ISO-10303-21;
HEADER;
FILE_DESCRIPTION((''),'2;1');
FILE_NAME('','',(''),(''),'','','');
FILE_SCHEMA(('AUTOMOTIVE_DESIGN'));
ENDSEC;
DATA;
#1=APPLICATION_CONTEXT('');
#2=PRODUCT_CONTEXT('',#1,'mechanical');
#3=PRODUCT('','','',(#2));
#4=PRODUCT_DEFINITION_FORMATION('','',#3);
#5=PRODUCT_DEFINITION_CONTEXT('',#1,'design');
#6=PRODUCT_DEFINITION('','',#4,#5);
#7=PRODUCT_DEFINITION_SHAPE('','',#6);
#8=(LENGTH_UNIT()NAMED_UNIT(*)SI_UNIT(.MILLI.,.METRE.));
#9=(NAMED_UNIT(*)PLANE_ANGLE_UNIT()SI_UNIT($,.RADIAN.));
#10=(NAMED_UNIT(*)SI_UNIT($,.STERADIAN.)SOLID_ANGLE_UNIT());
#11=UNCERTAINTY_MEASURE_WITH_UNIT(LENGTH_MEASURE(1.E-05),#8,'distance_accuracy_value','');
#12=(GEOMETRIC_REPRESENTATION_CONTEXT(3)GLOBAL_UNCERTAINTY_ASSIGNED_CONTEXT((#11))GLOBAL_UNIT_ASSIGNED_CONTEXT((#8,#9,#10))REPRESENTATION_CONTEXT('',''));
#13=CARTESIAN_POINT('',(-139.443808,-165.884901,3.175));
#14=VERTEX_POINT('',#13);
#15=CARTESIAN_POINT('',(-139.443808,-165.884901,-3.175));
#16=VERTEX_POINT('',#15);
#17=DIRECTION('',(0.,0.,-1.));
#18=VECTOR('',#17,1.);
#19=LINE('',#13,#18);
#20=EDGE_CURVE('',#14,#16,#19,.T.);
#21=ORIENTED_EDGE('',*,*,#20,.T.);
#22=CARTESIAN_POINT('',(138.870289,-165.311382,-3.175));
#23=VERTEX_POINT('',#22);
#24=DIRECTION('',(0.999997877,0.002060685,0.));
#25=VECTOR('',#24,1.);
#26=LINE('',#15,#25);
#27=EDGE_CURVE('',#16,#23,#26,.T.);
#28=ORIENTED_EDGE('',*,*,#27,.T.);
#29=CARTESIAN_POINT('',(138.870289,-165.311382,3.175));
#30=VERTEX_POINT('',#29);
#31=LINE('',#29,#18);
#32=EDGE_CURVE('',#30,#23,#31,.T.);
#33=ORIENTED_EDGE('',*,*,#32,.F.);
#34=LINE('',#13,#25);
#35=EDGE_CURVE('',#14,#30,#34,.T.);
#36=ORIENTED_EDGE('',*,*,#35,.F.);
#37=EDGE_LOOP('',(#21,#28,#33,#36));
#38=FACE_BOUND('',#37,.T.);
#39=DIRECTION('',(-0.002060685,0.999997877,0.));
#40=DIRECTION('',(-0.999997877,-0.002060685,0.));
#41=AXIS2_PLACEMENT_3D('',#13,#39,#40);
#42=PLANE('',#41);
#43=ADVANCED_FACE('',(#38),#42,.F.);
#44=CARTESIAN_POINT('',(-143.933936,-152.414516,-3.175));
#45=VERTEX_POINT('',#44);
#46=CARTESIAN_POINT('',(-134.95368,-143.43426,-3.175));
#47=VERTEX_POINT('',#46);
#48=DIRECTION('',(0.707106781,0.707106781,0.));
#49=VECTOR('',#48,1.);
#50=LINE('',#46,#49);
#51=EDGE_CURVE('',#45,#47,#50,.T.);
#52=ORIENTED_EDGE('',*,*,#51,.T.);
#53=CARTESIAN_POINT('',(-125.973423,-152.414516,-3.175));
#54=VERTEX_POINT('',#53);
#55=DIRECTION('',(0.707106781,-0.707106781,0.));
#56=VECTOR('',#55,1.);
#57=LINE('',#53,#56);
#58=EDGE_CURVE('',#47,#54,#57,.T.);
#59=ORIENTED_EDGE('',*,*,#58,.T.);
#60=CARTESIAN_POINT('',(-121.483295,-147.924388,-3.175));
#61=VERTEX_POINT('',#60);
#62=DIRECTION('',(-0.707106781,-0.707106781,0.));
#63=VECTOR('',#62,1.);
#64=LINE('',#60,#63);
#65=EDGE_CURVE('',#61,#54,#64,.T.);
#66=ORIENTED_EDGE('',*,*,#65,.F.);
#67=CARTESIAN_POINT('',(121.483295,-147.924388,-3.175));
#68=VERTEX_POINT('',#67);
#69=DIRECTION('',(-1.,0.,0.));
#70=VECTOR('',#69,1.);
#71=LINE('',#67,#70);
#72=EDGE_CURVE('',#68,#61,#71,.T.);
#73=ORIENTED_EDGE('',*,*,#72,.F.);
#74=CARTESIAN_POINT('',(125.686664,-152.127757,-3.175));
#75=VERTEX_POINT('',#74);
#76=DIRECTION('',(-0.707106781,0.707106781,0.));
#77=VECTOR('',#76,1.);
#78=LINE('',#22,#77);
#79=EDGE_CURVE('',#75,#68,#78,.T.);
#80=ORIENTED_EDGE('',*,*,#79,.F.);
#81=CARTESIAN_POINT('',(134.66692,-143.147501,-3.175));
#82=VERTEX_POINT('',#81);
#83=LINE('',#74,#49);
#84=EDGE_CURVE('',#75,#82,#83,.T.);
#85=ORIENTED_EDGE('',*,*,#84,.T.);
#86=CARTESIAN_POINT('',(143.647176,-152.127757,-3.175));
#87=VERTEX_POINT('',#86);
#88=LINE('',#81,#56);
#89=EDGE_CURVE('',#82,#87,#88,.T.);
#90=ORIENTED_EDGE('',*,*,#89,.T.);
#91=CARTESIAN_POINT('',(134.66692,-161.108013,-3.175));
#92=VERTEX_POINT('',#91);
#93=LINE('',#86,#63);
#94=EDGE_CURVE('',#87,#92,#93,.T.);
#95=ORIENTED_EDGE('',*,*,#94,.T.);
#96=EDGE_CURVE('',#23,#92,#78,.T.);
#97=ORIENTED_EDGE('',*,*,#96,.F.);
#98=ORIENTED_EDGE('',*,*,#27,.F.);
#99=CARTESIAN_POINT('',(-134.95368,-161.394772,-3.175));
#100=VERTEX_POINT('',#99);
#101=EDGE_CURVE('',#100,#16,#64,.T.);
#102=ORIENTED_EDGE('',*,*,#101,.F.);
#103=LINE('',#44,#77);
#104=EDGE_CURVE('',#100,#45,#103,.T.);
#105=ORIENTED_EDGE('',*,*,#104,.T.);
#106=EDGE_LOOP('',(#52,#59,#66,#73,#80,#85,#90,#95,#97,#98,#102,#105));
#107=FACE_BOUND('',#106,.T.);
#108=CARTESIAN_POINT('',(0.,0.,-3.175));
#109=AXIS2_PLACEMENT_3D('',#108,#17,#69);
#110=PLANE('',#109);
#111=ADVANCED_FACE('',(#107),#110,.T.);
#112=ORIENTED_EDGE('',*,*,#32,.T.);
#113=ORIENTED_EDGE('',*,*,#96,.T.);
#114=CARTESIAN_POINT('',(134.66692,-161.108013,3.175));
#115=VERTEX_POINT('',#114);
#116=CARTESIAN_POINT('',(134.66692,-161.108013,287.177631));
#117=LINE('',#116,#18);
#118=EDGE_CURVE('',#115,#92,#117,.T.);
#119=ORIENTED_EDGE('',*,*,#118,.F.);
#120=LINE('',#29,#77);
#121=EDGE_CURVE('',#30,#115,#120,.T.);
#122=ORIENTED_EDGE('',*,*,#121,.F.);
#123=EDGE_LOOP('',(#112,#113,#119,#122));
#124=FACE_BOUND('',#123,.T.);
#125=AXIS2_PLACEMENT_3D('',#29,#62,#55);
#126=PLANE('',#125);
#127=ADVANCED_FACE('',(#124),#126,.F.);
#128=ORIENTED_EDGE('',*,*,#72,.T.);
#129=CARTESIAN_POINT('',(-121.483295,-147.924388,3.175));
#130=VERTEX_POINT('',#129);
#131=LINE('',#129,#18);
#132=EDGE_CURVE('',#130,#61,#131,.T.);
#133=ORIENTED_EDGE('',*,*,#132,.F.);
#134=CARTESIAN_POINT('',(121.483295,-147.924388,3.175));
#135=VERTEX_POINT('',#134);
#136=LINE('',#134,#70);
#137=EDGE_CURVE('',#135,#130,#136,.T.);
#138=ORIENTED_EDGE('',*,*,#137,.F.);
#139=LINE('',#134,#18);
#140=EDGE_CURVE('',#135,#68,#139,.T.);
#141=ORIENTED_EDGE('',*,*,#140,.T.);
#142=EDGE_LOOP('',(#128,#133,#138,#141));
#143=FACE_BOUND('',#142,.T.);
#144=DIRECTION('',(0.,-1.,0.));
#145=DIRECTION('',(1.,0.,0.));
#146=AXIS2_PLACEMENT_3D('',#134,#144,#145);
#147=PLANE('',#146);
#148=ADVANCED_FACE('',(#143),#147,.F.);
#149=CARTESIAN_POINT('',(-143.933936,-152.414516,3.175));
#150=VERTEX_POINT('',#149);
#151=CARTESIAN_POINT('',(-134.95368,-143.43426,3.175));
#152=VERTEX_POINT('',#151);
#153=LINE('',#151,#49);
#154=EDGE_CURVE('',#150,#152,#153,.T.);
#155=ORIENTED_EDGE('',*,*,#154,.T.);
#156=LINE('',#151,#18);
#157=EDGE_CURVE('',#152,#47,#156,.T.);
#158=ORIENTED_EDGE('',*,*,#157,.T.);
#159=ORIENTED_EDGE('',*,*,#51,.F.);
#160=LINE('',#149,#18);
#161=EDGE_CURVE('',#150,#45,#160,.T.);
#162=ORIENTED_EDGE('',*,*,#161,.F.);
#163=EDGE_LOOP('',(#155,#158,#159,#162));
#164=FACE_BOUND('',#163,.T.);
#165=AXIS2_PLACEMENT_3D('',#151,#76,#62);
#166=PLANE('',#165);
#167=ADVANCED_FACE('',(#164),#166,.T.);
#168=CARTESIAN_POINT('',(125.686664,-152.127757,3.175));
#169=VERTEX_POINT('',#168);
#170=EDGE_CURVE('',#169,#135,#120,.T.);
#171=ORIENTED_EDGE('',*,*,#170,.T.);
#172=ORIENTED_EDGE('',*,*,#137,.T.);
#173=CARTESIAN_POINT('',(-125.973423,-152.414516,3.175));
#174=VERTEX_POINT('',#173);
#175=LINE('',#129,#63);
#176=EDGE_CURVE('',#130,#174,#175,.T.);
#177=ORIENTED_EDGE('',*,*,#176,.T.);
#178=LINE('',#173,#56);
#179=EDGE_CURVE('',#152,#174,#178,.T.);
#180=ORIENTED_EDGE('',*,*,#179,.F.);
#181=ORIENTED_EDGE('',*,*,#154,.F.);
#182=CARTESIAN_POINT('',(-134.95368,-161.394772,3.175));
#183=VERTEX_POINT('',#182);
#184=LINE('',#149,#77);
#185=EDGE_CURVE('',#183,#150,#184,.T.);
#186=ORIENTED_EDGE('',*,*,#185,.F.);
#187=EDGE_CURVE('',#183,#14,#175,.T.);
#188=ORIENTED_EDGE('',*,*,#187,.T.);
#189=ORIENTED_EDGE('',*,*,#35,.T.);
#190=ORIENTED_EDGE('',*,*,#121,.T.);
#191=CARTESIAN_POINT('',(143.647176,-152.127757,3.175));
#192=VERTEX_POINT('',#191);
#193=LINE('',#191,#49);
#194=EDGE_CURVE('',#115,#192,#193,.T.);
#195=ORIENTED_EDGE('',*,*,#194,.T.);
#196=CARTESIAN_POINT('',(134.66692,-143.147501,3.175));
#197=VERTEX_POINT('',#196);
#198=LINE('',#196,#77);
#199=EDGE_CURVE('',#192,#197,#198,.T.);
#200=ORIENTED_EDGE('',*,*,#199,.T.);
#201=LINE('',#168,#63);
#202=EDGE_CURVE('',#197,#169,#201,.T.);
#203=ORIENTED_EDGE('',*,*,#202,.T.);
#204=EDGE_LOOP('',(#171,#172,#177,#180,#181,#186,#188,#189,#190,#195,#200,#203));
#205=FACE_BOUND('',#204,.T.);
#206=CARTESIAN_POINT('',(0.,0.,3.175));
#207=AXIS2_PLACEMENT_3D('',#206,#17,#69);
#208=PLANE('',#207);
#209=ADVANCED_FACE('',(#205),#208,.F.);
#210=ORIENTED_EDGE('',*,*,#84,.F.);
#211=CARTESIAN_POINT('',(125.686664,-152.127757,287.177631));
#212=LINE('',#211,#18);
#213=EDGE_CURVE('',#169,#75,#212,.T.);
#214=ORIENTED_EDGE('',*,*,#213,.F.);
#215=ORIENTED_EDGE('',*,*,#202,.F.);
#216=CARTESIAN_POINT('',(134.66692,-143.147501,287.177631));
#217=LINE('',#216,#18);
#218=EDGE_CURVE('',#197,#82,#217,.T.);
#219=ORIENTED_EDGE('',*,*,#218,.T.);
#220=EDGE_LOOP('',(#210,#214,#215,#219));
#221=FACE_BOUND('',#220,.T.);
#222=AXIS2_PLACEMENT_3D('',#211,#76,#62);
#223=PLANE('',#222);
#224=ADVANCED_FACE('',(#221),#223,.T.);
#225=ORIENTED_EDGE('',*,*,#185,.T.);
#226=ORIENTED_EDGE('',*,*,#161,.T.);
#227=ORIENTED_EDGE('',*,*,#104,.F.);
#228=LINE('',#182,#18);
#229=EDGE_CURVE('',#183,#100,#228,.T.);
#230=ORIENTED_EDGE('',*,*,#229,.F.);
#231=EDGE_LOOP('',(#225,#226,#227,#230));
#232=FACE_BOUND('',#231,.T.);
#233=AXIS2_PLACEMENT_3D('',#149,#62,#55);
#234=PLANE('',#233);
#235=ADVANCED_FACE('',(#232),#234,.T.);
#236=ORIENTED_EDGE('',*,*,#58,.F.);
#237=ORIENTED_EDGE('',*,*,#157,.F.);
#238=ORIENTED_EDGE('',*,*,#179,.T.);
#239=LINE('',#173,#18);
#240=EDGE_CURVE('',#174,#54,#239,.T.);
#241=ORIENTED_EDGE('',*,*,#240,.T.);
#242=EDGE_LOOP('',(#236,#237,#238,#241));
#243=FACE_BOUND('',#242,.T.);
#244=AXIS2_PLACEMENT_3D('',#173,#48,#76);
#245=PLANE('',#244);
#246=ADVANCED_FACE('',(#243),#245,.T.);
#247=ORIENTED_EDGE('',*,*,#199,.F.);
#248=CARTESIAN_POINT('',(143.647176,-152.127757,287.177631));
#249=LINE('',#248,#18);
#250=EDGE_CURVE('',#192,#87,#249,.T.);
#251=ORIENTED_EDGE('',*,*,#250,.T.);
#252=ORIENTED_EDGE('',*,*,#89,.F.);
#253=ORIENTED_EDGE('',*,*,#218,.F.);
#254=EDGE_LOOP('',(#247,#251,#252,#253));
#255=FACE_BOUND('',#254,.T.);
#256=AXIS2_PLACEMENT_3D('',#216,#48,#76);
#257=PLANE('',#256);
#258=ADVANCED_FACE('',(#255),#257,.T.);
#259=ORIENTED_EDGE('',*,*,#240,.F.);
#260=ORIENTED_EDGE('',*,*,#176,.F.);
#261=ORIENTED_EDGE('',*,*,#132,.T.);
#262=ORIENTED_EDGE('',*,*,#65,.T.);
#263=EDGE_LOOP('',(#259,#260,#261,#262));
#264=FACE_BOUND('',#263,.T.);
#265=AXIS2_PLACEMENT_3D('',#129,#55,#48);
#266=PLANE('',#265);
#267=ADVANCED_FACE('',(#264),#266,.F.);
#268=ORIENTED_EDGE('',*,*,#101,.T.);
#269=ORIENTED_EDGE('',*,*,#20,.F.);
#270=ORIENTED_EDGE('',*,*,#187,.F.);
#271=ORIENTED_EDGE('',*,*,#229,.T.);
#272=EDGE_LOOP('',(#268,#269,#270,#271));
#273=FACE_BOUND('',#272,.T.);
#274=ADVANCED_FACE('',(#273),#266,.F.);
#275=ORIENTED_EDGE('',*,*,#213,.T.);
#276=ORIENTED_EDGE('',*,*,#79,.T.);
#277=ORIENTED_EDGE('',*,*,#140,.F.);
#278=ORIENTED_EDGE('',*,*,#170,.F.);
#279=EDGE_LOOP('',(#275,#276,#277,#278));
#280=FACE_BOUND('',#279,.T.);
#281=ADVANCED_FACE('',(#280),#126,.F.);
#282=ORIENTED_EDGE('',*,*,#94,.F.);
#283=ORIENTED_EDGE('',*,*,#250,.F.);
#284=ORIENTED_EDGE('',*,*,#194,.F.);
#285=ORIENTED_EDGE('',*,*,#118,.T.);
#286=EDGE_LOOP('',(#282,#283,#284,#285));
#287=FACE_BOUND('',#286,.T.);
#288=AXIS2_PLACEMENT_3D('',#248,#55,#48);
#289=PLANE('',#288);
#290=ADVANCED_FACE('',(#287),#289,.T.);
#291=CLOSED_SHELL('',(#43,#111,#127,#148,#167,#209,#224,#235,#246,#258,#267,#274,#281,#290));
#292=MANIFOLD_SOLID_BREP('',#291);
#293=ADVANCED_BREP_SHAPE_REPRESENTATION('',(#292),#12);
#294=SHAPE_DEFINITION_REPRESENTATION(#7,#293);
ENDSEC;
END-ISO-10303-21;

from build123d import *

# Parameters (mm, degrees)
BOSS_EXTRUDE1_DEPTH = 3.175
BOSS_EXTRUDE2_DEPTH = 6.35
BOSS_EXTRUDE4_DEPTH = 6.35


with BuildPart() as part:
    # Sketch1 → Boss-Extrude1 (new, symmetric)
    with BuildSketch(Plane.XY):
        Polygon((-139.443807584, -165.884900532), (138.870288723, -165.311381671), (121.483295342, -147.92438829), (-121.483295342, -147.92438829), align=None)
    extrude(amount=BOSS_EXTRUDE1_DEPTH, both=True)

    # Sketch2 → Boss-Extrude2 (add)
    with BuildSketch(Plane(origin=(0, 0, -3.175), x_dir=(-1, 0, 0), z_dir=(0, 0, -1))):
        Polygon((-125.686663972, -152.12775692), (-134.666920093, -143.147500799), (-143.647176214, -152.12775692), (-134.666920093, -161.108013041), (-138.870288723, -165.311381671), (139.443807584, -165.884900532), (121.483295342, -147.92438829), (-121.483295342, -147.92438829), align=None)
    extrude(amount=-BOSS_EXTRUDE2_DEPTH)

    # Sketch3 → Boss-Extrude4 (add)
    with BuildSketch(Plane(origin=(0, 0, -3.175), x_dir=(-1, 0, 0), z_dir=(0, 0, -1))):
        Polygon((125.973423403, -152.41451635), (134.953679524, -143.434260229), (143.933935645, -152.41451635), (134.953679524, -161.394772471), align=None)
    extrude(amount=-BOSS_EXTRUDE4_DEPTH)


solid = part.part
